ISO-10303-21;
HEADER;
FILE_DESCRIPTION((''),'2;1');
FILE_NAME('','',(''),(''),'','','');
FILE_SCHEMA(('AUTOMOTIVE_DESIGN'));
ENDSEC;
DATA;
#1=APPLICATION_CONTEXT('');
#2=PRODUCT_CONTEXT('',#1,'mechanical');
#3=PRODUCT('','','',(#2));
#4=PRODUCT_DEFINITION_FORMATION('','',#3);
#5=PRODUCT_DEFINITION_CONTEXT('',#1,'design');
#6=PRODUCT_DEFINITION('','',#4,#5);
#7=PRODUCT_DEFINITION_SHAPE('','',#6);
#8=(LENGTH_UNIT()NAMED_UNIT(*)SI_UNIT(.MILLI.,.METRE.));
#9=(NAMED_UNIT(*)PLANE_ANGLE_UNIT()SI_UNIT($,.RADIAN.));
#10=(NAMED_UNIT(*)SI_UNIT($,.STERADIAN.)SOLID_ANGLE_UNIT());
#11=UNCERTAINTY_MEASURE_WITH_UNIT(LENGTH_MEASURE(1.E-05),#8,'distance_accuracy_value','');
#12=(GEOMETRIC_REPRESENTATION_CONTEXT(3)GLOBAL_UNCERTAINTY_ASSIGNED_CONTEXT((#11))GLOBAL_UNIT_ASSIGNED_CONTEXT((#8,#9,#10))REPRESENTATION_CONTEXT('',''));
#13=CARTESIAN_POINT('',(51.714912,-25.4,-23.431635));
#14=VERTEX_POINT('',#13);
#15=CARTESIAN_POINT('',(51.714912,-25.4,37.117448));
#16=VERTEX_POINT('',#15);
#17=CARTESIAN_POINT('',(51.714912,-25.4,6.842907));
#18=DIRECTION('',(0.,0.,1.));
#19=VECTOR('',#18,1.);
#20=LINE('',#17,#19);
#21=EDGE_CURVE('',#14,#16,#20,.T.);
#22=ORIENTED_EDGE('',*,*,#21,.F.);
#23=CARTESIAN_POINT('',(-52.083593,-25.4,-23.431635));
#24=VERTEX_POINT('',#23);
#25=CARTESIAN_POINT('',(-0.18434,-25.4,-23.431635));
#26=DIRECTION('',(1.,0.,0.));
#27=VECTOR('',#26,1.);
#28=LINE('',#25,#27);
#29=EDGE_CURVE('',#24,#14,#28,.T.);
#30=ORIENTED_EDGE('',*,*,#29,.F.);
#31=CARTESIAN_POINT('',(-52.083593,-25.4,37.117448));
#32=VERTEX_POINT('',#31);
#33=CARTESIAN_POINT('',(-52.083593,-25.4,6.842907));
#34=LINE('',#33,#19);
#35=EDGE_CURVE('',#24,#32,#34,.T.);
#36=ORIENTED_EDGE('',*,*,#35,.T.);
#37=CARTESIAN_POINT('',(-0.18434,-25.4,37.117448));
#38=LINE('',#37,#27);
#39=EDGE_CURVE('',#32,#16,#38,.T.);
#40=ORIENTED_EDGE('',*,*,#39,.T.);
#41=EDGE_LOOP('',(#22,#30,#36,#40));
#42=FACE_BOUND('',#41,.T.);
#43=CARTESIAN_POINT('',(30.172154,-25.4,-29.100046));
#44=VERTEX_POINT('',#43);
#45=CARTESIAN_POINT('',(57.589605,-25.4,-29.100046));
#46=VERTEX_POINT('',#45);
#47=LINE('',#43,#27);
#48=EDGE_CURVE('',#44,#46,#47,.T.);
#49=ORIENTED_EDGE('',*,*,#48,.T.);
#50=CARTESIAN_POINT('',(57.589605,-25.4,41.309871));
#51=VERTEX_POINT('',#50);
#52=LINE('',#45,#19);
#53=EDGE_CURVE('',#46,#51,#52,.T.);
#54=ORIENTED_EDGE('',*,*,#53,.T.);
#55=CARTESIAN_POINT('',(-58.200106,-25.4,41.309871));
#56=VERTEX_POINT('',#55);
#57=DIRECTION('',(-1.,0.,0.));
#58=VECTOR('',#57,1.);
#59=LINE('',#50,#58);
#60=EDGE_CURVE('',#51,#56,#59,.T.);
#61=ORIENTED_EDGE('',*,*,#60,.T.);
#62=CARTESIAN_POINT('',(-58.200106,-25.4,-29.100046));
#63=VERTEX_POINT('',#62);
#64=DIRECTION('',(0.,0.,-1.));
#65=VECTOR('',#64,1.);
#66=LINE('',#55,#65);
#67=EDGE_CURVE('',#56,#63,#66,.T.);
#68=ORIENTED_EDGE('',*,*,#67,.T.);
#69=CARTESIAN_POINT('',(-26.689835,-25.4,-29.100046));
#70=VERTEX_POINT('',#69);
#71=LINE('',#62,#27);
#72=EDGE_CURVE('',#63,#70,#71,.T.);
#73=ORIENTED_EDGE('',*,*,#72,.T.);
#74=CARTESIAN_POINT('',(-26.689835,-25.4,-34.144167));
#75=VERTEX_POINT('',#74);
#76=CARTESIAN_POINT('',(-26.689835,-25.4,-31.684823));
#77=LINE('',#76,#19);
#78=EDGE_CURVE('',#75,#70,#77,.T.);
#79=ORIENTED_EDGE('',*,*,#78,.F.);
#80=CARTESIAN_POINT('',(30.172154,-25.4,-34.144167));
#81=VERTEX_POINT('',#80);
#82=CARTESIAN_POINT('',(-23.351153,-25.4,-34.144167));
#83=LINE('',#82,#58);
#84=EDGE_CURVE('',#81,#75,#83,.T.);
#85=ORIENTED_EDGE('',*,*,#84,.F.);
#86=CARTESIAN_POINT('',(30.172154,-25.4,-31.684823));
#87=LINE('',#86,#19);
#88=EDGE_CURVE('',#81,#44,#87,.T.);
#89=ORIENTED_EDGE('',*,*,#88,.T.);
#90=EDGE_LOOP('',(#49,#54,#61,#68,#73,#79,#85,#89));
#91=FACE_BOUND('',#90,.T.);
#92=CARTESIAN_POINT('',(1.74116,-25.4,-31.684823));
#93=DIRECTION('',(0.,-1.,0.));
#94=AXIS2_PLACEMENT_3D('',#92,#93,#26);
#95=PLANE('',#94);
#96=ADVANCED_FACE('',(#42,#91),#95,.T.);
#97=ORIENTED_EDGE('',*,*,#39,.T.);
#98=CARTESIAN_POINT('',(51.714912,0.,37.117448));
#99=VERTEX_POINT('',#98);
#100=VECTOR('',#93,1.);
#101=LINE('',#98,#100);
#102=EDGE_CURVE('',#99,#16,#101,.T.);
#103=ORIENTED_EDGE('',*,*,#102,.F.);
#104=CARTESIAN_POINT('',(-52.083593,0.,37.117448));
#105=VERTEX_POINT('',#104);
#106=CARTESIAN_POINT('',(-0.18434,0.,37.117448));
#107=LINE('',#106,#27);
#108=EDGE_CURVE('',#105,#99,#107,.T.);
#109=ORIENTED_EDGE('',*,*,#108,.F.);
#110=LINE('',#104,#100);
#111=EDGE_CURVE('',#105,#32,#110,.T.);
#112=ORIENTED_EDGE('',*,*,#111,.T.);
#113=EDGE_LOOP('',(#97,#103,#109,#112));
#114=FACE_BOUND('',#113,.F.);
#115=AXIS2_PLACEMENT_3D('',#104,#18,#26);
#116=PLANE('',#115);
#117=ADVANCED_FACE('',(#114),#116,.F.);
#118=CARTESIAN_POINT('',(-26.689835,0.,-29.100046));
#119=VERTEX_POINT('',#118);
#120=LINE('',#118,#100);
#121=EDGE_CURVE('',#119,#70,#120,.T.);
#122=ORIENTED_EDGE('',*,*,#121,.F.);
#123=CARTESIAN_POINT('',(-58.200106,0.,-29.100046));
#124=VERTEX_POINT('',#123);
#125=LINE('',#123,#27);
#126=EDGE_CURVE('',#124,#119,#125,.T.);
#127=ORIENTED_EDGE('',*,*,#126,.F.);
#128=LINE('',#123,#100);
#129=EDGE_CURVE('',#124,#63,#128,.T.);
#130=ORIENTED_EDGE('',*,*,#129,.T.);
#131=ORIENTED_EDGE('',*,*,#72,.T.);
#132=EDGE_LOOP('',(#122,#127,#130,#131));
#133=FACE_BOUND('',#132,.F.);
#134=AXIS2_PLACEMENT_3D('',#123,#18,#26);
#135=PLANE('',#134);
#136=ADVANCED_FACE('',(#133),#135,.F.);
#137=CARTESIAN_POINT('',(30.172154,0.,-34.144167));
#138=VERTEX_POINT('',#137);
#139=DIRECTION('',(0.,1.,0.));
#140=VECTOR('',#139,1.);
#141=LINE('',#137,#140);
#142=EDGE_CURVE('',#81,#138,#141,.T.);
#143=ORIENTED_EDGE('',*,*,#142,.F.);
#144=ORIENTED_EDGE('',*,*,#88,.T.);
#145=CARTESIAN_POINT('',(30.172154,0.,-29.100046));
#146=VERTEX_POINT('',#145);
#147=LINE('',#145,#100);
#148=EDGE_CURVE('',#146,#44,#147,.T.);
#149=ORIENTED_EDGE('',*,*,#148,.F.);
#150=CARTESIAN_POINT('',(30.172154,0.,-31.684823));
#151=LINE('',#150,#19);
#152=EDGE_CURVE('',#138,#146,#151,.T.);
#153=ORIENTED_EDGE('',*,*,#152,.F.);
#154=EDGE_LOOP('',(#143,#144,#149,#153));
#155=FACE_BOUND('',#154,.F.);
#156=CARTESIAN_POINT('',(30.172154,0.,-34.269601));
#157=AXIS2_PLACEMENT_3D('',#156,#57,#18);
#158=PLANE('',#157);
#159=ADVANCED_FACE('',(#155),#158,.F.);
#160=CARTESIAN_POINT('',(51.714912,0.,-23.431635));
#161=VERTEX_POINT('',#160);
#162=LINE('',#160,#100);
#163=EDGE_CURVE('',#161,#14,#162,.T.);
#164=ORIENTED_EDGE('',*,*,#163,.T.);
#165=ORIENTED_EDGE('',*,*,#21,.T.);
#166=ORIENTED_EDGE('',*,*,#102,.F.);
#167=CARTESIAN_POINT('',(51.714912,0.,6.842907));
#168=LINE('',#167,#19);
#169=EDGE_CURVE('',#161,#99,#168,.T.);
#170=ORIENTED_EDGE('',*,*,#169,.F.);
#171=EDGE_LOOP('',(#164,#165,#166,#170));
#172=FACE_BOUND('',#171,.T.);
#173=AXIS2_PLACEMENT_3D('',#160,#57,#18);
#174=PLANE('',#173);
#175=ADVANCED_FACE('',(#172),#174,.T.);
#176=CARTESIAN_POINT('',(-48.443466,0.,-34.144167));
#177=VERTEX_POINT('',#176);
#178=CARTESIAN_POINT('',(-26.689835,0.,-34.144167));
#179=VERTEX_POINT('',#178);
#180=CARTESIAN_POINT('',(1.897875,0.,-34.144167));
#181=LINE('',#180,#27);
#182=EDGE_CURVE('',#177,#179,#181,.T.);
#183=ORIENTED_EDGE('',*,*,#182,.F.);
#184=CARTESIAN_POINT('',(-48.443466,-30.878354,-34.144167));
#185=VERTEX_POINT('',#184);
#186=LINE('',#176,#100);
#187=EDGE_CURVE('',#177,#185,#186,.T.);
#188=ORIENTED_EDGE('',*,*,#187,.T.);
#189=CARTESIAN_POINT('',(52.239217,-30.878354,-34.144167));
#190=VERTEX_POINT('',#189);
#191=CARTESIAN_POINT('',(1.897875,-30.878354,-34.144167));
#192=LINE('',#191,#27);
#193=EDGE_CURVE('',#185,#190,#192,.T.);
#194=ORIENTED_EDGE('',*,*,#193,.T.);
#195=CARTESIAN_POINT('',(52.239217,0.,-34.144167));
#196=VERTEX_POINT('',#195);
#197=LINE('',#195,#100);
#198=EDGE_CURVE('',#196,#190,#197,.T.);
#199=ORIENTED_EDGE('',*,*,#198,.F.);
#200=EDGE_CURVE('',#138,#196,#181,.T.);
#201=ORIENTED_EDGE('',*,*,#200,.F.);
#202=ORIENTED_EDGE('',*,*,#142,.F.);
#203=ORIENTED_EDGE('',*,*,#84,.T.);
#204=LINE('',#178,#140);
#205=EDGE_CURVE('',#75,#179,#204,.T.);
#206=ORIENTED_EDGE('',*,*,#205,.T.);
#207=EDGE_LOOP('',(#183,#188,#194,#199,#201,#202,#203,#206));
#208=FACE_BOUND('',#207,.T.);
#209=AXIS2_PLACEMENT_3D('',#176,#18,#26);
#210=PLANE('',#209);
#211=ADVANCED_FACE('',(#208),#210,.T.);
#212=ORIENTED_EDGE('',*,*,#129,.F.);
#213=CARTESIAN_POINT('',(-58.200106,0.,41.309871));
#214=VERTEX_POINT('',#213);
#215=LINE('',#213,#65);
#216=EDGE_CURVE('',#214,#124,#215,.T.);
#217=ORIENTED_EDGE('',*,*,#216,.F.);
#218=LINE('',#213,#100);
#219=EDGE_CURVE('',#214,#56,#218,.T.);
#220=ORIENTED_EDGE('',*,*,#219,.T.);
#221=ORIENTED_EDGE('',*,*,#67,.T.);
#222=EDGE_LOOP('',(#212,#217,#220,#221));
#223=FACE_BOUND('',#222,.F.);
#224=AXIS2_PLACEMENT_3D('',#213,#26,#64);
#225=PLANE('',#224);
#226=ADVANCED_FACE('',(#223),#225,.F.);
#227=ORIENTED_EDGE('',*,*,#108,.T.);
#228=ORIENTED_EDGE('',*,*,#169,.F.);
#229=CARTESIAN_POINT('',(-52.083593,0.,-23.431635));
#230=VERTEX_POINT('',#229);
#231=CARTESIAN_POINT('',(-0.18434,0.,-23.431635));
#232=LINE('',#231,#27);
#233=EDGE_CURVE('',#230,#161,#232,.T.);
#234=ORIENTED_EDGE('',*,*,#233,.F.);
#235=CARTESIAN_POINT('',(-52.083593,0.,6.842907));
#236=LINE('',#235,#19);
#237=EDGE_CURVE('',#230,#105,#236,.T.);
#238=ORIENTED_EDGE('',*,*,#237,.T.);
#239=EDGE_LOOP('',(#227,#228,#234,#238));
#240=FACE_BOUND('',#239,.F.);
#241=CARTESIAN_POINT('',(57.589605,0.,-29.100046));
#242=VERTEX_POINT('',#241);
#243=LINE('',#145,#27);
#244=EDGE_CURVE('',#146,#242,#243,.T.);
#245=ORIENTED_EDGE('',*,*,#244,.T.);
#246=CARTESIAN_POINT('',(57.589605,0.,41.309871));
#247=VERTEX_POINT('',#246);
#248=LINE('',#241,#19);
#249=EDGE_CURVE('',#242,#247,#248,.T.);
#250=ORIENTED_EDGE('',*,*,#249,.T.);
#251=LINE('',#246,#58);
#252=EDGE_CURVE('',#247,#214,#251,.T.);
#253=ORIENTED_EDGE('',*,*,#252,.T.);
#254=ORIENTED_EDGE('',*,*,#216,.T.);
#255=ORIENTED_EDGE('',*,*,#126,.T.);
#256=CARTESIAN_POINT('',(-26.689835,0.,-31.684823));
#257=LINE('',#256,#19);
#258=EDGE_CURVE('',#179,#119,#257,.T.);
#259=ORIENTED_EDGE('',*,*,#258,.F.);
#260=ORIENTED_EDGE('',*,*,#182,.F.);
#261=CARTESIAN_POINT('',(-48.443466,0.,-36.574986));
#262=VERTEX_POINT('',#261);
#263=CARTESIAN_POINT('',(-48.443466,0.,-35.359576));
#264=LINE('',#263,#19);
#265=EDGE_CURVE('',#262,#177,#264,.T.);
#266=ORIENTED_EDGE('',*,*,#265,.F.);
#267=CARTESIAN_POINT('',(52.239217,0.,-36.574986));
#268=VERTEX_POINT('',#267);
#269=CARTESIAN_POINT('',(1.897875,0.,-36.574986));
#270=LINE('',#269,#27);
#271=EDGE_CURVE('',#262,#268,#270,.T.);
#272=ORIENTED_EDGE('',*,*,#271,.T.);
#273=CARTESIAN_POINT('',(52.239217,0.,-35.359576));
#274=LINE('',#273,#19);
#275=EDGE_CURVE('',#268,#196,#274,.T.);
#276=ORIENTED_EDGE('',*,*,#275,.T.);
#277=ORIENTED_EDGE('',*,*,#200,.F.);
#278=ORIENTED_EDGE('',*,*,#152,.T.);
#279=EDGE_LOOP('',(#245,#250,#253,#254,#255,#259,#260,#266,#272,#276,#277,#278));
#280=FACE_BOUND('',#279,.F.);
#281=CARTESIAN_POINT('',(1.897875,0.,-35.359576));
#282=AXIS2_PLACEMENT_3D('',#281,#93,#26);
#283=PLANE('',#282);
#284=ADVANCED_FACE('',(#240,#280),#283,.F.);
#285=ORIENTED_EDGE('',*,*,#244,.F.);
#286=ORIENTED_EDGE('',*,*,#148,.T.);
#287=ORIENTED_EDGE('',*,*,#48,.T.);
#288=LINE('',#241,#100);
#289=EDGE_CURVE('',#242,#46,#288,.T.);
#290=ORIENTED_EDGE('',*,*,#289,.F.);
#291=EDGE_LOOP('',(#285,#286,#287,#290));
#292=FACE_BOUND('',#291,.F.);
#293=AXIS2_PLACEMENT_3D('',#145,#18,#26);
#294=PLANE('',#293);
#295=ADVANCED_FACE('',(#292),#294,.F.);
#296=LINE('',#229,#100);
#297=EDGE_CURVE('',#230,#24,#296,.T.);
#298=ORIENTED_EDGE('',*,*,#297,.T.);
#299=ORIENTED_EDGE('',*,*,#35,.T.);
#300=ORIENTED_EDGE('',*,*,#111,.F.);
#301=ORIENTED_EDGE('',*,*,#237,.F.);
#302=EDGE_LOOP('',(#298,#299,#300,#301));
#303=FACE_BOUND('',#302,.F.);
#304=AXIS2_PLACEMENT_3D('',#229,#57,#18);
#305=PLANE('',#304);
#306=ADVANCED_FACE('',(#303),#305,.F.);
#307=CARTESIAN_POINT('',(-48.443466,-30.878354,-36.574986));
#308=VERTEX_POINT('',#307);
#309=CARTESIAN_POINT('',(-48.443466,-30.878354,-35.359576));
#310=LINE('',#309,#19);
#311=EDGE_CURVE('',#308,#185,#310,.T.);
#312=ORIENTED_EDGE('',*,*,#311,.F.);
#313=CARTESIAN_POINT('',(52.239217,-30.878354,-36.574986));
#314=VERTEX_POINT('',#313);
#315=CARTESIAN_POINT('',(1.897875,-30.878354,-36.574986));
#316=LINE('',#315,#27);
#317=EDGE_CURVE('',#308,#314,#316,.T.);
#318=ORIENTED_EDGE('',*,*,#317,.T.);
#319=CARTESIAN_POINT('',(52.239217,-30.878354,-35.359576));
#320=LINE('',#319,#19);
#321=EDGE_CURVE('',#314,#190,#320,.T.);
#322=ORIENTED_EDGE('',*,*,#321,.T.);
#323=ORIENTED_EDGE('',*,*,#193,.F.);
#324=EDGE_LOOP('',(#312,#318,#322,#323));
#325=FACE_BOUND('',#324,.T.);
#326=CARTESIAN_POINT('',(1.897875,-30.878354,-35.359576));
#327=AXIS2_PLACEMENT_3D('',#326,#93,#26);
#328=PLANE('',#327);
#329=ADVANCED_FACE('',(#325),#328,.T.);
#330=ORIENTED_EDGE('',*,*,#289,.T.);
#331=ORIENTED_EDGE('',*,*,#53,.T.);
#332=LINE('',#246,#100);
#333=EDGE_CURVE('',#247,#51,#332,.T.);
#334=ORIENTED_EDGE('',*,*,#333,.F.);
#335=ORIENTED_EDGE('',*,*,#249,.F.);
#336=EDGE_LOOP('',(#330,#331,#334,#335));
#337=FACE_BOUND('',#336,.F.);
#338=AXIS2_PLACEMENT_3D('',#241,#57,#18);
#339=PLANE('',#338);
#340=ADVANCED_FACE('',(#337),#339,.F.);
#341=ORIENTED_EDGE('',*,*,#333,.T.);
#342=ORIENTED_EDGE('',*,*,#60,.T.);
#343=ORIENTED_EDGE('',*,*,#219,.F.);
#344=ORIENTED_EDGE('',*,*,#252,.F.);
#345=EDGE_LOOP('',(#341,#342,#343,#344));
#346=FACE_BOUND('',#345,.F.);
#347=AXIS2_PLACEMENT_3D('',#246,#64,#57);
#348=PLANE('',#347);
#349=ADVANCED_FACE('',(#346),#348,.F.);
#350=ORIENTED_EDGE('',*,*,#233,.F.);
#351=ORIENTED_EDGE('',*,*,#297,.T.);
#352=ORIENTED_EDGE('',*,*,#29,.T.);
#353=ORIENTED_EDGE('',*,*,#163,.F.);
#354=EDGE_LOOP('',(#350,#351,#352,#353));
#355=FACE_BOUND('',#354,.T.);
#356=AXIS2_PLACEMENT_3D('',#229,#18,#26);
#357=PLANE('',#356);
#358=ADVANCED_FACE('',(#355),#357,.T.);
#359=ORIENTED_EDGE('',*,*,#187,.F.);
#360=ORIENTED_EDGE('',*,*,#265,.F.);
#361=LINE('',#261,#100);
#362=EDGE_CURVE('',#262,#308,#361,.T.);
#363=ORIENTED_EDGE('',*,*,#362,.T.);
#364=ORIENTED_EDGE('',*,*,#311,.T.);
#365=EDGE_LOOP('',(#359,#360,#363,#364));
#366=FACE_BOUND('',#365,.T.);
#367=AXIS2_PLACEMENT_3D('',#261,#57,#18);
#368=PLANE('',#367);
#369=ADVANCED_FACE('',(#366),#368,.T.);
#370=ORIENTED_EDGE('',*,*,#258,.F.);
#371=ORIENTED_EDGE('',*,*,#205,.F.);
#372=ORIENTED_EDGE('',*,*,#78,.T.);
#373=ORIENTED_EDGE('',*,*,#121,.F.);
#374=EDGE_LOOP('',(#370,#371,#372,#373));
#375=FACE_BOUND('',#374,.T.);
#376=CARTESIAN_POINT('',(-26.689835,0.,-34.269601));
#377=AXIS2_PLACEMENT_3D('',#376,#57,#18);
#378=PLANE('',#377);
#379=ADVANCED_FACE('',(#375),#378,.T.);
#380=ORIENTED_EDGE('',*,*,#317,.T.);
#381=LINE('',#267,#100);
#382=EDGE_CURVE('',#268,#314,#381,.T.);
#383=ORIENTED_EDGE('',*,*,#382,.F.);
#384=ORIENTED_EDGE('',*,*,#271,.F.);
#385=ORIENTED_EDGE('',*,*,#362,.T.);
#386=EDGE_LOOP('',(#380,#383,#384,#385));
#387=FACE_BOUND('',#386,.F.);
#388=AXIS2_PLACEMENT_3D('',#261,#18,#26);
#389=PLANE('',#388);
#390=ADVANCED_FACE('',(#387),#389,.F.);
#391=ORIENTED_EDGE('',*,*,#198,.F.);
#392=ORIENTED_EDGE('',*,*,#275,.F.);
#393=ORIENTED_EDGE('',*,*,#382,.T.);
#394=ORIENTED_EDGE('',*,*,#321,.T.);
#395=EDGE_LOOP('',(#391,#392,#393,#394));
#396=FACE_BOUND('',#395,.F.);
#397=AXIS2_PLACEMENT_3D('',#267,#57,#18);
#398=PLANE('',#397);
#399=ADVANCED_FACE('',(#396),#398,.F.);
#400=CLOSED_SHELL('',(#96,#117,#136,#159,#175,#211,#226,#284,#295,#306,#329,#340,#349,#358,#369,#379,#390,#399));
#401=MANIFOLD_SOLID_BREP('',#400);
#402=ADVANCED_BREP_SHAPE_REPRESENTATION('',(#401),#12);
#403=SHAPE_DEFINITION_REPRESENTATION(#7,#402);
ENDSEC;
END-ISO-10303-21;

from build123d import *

# Parameters (mm, degrees)
F0_W     = 56.8619892001
F0_H     = 5.1695555449
F0_W_2   = 103.7985049188
F0_H_2   = 60.5490822345
F1_DEPTH = 25.4
F2_W     = 100.6826832891
F2_H     = 2.430818975
F3_DEPTH = 30.878353864


with BuildPart() as f1:
    # F0 (on Front) → F1 (new body)
    with BuildSketch(Plane.XZ):
        with Locations((1.7411597073, -31.6848233342)):
            Rectangle(F0_W, F0_H)
        Polygon((57.5896054506, 41.3098707795), (-58.2001060247, 41.3098707795), (-58.2001060247, -29.1000455618), (-26.6898348927, -29.1000455618), (30.1721543074, -29.1000455618), (57.5896054506, -29.1000455618), align=None)
        with Locations((-0.1843404025, 6.8429065868)):
            Rectangle(F0_W_2, F0_H_2, mode=Mode.SUBTRACT)
    extrude(amount=F1_DEPTH)

    # F2 (on Front) → F3 (join)
    with BuildSketch(Plane.XZ):
        with Locations((1.8978752196, -35.3595763445)):
            Rectangle(F2_W, F2_H)
    extrude(amount=F3_DEPTH)


solid = f1.part
